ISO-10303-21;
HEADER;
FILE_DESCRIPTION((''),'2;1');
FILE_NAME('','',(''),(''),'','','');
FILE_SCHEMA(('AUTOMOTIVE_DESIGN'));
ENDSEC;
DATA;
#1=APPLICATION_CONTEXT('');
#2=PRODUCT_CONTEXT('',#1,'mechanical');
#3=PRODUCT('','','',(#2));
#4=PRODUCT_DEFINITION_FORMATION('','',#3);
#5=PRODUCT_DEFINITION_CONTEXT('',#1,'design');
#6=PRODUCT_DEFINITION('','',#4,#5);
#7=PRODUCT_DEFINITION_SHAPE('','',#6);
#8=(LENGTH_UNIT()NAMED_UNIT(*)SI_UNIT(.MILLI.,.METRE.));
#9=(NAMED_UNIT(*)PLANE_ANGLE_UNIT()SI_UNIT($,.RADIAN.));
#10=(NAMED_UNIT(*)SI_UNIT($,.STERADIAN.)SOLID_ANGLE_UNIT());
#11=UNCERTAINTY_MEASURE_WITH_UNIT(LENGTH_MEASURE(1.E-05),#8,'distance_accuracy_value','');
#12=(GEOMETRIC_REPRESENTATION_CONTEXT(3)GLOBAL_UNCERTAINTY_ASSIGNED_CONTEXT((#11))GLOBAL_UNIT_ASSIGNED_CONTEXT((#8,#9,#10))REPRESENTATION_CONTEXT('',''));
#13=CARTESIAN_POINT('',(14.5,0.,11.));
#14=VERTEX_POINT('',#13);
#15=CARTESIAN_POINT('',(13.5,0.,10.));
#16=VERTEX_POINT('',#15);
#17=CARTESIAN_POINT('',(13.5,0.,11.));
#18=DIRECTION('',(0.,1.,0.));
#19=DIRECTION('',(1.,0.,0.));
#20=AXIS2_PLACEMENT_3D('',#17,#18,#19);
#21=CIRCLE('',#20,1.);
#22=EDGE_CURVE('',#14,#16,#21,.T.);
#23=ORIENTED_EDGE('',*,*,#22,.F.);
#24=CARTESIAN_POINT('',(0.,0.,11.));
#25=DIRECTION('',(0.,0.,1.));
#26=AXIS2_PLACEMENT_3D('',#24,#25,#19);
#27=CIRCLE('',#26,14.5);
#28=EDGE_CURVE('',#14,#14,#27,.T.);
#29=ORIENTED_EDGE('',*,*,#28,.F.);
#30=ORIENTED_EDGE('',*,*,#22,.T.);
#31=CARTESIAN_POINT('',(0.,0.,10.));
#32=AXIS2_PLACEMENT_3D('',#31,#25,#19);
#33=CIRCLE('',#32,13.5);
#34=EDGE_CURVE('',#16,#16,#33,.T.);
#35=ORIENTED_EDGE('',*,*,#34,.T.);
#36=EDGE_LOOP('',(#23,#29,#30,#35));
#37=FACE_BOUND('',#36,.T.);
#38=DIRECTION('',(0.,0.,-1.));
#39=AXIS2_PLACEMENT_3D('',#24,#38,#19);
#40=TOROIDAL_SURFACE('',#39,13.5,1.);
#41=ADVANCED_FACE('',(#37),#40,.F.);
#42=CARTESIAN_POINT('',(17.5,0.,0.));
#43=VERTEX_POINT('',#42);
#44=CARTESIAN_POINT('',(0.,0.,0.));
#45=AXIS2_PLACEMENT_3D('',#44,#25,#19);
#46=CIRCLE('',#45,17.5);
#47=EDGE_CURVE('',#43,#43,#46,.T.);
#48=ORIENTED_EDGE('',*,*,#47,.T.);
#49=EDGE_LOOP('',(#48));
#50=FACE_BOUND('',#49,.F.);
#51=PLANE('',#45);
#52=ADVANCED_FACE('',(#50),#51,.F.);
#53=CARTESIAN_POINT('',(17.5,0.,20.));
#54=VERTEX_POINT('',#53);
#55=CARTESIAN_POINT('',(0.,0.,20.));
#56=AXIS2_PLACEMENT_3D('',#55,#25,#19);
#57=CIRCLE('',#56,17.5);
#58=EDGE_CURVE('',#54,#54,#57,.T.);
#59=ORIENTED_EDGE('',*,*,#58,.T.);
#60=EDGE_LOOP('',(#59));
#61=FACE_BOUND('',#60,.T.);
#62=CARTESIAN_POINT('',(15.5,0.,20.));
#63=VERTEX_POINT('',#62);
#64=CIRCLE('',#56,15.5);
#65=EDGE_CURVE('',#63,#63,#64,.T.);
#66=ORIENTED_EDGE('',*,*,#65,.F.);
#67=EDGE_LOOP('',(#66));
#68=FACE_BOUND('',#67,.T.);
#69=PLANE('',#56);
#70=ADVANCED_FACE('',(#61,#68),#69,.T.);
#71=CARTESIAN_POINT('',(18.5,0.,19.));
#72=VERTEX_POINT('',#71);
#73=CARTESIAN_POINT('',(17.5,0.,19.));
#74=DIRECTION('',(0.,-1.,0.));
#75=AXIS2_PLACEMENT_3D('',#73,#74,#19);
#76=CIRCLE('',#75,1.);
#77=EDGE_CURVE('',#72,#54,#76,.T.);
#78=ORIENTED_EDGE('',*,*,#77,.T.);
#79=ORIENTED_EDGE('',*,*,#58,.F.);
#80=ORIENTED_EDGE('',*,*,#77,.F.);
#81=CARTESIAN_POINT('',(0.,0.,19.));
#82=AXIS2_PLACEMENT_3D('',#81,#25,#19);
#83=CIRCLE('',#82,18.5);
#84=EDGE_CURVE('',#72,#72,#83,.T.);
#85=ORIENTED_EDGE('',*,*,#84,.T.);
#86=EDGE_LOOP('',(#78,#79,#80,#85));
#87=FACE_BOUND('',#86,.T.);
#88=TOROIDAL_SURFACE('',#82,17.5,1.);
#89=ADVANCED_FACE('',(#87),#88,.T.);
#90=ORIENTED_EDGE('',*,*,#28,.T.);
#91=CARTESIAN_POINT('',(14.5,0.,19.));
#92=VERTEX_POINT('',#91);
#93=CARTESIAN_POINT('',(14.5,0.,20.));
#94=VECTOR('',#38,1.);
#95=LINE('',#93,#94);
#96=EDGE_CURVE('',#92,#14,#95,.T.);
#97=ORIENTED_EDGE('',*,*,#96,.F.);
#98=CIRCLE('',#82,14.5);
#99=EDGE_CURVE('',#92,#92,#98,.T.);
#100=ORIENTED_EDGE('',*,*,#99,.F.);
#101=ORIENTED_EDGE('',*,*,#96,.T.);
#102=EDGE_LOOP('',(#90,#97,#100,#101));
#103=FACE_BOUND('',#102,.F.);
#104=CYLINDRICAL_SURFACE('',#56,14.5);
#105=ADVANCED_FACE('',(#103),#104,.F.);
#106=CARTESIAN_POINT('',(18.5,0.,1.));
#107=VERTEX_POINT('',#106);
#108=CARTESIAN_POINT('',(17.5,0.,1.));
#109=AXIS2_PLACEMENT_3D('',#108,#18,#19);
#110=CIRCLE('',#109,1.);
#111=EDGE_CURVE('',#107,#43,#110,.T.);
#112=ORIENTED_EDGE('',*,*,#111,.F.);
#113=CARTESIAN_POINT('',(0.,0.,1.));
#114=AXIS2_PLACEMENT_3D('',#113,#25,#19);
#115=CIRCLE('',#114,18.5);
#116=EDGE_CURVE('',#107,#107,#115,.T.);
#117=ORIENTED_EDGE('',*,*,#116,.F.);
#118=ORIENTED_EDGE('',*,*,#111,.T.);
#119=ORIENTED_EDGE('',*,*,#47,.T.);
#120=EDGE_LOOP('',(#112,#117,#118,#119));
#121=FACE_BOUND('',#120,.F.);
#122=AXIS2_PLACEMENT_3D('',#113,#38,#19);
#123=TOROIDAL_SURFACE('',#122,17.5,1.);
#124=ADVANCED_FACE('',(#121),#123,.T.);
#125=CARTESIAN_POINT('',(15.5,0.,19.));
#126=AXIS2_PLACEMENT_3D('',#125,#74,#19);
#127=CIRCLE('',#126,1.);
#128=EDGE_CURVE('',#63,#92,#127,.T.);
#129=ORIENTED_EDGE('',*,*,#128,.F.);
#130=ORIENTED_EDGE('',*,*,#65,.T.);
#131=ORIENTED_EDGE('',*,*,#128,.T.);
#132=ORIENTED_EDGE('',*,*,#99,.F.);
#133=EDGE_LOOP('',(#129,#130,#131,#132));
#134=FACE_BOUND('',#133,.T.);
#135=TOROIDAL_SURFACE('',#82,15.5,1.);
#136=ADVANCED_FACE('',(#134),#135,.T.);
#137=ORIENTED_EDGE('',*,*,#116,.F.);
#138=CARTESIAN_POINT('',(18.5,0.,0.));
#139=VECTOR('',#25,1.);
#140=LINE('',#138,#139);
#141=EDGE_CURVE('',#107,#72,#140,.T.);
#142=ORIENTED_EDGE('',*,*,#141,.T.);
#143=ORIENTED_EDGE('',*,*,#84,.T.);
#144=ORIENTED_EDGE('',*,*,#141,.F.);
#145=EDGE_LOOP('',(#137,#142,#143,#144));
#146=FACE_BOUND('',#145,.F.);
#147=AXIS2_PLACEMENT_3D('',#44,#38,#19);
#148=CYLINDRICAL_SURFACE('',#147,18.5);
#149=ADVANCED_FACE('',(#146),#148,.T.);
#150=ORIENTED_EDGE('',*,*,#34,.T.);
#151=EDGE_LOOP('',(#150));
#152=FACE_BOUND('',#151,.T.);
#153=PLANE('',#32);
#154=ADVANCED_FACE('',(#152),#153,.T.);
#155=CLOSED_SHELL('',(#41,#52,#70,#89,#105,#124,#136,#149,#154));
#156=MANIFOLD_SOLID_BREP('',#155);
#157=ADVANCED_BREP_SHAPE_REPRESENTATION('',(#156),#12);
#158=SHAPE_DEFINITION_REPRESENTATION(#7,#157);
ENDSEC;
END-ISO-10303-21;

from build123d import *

# Parameters (mm, degrees)
F0_R     = 18.5
F1_DEPTH = 20
F2_R     = 14.5
F3_DEPTH = 10
F4_R     = 1


with BuildPart() as f1:
    # F0 (on Top) → F1 (new body)
    with BuildSketch(Plane.XY):
        Circle(F0_R)
    extrude(amount=F1_DEPTH)

    # F2 (on face) → F3 (cut)
    with BuildSketch(Plane.XY.offset(20)):
        Circle(F2_R)
    extrude(amount=-F3_DEPTH, mode=Mode.SUBTRACT)

    # F4
    f4_edges = [f1.edges().sort_by_distance(p)[0] for p in [
        (-18.5, 0, 20),
        (-14.5, 0, 20),
        (-18.5, 0, 0),
        (-14.5, 0, 10),
    ]]
    fillet(f4_edges, radius=F4_R)


solid = f1.part
